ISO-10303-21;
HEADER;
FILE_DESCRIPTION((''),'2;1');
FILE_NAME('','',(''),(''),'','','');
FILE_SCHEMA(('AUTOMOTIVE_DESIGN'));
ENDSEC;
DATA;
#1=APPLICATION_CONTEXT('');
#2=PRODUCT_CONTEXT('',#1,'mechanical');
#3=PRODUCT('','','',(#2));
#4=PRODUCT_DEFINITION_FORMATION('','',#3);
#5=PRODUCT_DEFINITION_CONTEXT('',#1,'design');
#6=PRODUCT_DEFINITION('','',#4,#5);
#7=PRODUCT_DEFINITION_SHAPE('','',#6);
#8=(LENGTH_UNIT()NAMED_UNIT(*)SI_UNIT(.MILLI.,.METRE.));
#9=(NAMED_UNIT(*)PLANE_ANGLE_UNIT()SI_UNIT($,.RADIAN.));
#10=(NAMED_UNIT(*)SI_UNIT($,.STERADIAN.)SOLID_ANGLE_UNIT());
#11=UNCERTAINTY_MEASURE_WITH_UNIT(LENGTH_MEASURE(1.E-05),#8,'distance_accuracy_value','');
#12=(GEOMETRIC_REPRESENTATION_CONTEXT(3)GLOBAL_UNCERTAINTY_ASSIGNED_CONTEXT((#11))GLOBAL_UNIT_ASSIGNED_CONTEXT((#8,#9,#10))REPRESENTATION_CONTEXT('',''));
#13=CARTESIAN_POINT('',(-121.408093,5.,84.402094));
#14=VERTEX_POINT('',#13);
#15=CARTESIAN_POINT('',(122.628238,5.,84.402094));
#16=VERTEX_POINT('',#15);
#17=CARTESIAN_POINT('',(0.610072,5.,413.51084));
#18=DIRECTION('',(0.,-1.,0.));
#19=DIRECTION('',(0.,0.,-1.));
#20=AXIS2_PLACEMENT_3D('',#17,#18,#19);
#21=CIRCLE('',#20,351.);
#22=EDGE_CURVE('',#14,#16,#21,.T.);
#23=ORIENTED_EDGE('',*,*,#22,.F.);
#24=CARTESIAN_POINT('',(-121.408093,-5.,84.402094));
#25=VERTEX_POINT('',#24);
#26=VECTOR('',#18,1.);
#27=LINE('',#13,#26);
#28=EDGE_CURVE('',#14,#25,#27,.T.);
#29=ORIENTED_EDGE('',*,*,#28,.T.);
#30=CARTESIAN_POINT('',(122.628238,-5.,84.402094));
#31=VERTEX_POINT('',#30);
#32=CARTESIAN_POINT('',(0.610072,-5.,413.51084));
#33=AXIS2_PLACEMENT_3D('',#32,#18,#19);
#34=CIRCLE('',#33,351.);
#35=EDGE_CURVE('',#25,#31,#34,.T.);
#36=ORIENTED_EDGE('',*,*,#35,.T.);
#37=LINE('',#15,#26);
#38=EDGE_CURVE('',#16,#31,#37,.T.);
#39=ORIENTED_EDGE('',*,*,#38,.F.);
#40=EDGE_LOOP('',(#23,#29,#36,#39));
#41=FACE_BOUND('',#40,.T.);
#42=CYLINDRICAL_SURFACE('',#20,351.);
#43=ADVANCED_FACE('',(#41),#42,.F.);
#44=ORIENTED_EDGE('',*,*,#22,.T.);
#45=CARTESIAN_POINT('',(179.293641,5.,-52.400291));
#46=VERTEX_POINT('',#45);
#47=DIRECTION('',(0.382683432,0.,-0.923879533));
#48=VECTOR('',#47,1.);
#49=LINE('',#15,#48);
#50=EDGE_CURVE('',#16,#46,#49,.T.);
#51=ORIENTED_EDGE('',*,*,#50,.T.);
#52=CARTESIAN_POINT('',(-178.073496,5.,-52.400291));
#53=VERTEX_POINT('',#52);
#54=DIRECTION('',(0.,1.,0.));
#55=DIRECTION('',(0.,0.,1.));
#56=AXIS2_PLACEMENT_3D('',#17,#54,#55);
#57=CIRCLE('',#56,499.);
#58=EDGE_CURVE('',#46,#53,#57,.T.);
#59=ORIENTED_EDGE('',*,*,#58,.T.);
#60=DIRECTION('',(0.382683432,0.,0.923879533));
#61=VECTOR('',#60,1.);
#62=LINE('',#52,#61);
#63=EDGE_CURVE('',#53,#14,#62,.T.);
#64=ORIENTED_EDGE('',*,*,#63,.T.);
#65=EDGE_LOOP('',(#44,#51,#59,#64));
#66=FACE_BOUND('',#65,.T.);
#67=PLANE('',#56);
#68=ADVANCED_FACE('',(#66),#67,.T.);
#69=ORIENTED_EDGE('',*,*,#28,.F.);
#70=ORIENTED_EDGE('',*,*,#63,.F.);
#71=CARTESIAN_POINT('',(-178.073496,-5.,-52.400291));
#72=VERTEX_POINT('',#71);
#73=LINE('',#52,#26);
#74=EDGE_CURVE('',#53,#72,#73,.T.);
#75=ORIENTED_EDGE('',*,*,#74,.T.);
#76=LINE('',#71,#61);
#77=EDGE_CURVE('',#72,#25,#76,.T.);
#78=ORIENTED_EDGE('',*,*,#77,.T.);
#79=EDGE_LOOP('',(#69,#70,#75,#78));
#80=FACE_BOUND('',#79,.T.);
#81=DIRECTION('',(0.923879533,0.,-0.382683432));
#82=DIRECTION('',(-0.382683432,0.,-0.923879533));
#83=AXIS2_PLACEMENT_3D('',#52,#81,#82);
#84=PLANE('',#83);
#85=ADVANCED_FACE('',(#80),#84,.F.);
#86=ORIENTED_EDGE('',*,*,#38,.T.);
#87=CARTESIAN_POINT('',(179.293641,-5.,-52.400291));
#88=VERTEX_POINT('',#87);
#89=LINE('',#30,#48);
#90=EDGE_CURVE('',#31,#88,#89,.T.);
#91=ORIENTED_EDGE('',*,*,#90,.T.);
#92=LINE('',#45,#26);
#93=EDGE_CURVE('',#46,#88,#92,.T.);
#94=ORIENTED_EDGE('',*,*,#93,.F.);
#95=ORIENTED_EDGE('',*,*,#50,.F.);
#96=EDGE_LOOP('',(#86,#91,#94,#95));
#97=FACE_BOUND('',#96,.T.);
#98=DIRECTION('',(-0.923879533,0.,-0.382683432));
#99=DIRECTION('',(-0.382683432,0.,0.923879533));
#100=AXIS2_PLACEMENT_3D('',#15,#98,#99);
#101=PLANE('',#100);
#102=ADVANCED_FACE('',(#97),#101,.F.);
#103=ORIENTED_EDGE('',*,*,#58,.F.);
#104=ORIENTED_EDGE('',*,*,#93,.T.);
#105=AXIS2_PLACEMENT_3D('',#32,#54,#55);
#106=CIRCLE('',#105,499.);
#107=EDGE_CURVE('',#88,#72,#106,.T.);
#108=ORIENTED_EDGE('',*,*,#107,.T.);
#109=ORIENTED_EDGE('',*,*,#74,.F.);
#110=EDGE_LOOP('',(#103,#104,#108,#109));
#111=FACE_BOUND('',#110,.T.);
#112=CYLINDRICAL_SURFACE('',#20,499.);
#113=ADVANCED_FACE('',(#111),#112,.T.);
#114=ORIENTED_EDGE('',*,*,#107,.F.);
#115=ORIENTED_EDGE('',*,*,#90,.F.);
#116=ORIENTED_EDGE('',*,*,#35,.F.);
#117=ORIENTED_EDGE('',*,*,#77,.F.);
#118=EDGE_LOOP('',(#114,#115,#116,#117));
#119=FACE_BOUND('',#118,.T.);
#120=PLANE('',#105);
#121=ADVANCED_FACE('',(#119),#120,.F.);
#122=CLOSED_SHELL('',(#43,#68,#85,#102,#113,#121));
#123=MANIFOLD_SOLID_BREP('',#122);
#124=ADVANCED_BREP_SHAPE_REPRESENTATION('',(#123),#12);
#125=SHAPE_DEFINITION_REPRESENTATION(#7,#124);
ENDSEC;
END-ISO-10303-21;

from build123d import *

# Parameters (mm, degrees)
BOSS_EXTRUDE1_DEPTH = 5


with BuildPart() as part:
    # Sketch1 → Boss-Extrude1 (new, symmetric)
    with BuildSketch(Plane(origin=(0, 0, 0), x_dir=(1, 0, 0), z_dir=(0, 1, 0))):
        with BuildLine():
            Line((-178.073496481, 52.400290961), (-121.408093467, -84.402093513))
            ThreePointArc((-121.408093467, -84.402093513), (0.610072251, -62.510840335), (122.628237969, -84.402093513))
            Line((122.628237969, -84.402093513), (179.293640982, 52.400290961))
            ThreePointArc((179.293640982, 52.400290961), (0.610072251, 85.489159665), (-178.073496481, 52.400290961))
        make_face()
    extrude(amount=BOSS_EXTRUDE1_DEPTH, both=True)


solid = part.part
